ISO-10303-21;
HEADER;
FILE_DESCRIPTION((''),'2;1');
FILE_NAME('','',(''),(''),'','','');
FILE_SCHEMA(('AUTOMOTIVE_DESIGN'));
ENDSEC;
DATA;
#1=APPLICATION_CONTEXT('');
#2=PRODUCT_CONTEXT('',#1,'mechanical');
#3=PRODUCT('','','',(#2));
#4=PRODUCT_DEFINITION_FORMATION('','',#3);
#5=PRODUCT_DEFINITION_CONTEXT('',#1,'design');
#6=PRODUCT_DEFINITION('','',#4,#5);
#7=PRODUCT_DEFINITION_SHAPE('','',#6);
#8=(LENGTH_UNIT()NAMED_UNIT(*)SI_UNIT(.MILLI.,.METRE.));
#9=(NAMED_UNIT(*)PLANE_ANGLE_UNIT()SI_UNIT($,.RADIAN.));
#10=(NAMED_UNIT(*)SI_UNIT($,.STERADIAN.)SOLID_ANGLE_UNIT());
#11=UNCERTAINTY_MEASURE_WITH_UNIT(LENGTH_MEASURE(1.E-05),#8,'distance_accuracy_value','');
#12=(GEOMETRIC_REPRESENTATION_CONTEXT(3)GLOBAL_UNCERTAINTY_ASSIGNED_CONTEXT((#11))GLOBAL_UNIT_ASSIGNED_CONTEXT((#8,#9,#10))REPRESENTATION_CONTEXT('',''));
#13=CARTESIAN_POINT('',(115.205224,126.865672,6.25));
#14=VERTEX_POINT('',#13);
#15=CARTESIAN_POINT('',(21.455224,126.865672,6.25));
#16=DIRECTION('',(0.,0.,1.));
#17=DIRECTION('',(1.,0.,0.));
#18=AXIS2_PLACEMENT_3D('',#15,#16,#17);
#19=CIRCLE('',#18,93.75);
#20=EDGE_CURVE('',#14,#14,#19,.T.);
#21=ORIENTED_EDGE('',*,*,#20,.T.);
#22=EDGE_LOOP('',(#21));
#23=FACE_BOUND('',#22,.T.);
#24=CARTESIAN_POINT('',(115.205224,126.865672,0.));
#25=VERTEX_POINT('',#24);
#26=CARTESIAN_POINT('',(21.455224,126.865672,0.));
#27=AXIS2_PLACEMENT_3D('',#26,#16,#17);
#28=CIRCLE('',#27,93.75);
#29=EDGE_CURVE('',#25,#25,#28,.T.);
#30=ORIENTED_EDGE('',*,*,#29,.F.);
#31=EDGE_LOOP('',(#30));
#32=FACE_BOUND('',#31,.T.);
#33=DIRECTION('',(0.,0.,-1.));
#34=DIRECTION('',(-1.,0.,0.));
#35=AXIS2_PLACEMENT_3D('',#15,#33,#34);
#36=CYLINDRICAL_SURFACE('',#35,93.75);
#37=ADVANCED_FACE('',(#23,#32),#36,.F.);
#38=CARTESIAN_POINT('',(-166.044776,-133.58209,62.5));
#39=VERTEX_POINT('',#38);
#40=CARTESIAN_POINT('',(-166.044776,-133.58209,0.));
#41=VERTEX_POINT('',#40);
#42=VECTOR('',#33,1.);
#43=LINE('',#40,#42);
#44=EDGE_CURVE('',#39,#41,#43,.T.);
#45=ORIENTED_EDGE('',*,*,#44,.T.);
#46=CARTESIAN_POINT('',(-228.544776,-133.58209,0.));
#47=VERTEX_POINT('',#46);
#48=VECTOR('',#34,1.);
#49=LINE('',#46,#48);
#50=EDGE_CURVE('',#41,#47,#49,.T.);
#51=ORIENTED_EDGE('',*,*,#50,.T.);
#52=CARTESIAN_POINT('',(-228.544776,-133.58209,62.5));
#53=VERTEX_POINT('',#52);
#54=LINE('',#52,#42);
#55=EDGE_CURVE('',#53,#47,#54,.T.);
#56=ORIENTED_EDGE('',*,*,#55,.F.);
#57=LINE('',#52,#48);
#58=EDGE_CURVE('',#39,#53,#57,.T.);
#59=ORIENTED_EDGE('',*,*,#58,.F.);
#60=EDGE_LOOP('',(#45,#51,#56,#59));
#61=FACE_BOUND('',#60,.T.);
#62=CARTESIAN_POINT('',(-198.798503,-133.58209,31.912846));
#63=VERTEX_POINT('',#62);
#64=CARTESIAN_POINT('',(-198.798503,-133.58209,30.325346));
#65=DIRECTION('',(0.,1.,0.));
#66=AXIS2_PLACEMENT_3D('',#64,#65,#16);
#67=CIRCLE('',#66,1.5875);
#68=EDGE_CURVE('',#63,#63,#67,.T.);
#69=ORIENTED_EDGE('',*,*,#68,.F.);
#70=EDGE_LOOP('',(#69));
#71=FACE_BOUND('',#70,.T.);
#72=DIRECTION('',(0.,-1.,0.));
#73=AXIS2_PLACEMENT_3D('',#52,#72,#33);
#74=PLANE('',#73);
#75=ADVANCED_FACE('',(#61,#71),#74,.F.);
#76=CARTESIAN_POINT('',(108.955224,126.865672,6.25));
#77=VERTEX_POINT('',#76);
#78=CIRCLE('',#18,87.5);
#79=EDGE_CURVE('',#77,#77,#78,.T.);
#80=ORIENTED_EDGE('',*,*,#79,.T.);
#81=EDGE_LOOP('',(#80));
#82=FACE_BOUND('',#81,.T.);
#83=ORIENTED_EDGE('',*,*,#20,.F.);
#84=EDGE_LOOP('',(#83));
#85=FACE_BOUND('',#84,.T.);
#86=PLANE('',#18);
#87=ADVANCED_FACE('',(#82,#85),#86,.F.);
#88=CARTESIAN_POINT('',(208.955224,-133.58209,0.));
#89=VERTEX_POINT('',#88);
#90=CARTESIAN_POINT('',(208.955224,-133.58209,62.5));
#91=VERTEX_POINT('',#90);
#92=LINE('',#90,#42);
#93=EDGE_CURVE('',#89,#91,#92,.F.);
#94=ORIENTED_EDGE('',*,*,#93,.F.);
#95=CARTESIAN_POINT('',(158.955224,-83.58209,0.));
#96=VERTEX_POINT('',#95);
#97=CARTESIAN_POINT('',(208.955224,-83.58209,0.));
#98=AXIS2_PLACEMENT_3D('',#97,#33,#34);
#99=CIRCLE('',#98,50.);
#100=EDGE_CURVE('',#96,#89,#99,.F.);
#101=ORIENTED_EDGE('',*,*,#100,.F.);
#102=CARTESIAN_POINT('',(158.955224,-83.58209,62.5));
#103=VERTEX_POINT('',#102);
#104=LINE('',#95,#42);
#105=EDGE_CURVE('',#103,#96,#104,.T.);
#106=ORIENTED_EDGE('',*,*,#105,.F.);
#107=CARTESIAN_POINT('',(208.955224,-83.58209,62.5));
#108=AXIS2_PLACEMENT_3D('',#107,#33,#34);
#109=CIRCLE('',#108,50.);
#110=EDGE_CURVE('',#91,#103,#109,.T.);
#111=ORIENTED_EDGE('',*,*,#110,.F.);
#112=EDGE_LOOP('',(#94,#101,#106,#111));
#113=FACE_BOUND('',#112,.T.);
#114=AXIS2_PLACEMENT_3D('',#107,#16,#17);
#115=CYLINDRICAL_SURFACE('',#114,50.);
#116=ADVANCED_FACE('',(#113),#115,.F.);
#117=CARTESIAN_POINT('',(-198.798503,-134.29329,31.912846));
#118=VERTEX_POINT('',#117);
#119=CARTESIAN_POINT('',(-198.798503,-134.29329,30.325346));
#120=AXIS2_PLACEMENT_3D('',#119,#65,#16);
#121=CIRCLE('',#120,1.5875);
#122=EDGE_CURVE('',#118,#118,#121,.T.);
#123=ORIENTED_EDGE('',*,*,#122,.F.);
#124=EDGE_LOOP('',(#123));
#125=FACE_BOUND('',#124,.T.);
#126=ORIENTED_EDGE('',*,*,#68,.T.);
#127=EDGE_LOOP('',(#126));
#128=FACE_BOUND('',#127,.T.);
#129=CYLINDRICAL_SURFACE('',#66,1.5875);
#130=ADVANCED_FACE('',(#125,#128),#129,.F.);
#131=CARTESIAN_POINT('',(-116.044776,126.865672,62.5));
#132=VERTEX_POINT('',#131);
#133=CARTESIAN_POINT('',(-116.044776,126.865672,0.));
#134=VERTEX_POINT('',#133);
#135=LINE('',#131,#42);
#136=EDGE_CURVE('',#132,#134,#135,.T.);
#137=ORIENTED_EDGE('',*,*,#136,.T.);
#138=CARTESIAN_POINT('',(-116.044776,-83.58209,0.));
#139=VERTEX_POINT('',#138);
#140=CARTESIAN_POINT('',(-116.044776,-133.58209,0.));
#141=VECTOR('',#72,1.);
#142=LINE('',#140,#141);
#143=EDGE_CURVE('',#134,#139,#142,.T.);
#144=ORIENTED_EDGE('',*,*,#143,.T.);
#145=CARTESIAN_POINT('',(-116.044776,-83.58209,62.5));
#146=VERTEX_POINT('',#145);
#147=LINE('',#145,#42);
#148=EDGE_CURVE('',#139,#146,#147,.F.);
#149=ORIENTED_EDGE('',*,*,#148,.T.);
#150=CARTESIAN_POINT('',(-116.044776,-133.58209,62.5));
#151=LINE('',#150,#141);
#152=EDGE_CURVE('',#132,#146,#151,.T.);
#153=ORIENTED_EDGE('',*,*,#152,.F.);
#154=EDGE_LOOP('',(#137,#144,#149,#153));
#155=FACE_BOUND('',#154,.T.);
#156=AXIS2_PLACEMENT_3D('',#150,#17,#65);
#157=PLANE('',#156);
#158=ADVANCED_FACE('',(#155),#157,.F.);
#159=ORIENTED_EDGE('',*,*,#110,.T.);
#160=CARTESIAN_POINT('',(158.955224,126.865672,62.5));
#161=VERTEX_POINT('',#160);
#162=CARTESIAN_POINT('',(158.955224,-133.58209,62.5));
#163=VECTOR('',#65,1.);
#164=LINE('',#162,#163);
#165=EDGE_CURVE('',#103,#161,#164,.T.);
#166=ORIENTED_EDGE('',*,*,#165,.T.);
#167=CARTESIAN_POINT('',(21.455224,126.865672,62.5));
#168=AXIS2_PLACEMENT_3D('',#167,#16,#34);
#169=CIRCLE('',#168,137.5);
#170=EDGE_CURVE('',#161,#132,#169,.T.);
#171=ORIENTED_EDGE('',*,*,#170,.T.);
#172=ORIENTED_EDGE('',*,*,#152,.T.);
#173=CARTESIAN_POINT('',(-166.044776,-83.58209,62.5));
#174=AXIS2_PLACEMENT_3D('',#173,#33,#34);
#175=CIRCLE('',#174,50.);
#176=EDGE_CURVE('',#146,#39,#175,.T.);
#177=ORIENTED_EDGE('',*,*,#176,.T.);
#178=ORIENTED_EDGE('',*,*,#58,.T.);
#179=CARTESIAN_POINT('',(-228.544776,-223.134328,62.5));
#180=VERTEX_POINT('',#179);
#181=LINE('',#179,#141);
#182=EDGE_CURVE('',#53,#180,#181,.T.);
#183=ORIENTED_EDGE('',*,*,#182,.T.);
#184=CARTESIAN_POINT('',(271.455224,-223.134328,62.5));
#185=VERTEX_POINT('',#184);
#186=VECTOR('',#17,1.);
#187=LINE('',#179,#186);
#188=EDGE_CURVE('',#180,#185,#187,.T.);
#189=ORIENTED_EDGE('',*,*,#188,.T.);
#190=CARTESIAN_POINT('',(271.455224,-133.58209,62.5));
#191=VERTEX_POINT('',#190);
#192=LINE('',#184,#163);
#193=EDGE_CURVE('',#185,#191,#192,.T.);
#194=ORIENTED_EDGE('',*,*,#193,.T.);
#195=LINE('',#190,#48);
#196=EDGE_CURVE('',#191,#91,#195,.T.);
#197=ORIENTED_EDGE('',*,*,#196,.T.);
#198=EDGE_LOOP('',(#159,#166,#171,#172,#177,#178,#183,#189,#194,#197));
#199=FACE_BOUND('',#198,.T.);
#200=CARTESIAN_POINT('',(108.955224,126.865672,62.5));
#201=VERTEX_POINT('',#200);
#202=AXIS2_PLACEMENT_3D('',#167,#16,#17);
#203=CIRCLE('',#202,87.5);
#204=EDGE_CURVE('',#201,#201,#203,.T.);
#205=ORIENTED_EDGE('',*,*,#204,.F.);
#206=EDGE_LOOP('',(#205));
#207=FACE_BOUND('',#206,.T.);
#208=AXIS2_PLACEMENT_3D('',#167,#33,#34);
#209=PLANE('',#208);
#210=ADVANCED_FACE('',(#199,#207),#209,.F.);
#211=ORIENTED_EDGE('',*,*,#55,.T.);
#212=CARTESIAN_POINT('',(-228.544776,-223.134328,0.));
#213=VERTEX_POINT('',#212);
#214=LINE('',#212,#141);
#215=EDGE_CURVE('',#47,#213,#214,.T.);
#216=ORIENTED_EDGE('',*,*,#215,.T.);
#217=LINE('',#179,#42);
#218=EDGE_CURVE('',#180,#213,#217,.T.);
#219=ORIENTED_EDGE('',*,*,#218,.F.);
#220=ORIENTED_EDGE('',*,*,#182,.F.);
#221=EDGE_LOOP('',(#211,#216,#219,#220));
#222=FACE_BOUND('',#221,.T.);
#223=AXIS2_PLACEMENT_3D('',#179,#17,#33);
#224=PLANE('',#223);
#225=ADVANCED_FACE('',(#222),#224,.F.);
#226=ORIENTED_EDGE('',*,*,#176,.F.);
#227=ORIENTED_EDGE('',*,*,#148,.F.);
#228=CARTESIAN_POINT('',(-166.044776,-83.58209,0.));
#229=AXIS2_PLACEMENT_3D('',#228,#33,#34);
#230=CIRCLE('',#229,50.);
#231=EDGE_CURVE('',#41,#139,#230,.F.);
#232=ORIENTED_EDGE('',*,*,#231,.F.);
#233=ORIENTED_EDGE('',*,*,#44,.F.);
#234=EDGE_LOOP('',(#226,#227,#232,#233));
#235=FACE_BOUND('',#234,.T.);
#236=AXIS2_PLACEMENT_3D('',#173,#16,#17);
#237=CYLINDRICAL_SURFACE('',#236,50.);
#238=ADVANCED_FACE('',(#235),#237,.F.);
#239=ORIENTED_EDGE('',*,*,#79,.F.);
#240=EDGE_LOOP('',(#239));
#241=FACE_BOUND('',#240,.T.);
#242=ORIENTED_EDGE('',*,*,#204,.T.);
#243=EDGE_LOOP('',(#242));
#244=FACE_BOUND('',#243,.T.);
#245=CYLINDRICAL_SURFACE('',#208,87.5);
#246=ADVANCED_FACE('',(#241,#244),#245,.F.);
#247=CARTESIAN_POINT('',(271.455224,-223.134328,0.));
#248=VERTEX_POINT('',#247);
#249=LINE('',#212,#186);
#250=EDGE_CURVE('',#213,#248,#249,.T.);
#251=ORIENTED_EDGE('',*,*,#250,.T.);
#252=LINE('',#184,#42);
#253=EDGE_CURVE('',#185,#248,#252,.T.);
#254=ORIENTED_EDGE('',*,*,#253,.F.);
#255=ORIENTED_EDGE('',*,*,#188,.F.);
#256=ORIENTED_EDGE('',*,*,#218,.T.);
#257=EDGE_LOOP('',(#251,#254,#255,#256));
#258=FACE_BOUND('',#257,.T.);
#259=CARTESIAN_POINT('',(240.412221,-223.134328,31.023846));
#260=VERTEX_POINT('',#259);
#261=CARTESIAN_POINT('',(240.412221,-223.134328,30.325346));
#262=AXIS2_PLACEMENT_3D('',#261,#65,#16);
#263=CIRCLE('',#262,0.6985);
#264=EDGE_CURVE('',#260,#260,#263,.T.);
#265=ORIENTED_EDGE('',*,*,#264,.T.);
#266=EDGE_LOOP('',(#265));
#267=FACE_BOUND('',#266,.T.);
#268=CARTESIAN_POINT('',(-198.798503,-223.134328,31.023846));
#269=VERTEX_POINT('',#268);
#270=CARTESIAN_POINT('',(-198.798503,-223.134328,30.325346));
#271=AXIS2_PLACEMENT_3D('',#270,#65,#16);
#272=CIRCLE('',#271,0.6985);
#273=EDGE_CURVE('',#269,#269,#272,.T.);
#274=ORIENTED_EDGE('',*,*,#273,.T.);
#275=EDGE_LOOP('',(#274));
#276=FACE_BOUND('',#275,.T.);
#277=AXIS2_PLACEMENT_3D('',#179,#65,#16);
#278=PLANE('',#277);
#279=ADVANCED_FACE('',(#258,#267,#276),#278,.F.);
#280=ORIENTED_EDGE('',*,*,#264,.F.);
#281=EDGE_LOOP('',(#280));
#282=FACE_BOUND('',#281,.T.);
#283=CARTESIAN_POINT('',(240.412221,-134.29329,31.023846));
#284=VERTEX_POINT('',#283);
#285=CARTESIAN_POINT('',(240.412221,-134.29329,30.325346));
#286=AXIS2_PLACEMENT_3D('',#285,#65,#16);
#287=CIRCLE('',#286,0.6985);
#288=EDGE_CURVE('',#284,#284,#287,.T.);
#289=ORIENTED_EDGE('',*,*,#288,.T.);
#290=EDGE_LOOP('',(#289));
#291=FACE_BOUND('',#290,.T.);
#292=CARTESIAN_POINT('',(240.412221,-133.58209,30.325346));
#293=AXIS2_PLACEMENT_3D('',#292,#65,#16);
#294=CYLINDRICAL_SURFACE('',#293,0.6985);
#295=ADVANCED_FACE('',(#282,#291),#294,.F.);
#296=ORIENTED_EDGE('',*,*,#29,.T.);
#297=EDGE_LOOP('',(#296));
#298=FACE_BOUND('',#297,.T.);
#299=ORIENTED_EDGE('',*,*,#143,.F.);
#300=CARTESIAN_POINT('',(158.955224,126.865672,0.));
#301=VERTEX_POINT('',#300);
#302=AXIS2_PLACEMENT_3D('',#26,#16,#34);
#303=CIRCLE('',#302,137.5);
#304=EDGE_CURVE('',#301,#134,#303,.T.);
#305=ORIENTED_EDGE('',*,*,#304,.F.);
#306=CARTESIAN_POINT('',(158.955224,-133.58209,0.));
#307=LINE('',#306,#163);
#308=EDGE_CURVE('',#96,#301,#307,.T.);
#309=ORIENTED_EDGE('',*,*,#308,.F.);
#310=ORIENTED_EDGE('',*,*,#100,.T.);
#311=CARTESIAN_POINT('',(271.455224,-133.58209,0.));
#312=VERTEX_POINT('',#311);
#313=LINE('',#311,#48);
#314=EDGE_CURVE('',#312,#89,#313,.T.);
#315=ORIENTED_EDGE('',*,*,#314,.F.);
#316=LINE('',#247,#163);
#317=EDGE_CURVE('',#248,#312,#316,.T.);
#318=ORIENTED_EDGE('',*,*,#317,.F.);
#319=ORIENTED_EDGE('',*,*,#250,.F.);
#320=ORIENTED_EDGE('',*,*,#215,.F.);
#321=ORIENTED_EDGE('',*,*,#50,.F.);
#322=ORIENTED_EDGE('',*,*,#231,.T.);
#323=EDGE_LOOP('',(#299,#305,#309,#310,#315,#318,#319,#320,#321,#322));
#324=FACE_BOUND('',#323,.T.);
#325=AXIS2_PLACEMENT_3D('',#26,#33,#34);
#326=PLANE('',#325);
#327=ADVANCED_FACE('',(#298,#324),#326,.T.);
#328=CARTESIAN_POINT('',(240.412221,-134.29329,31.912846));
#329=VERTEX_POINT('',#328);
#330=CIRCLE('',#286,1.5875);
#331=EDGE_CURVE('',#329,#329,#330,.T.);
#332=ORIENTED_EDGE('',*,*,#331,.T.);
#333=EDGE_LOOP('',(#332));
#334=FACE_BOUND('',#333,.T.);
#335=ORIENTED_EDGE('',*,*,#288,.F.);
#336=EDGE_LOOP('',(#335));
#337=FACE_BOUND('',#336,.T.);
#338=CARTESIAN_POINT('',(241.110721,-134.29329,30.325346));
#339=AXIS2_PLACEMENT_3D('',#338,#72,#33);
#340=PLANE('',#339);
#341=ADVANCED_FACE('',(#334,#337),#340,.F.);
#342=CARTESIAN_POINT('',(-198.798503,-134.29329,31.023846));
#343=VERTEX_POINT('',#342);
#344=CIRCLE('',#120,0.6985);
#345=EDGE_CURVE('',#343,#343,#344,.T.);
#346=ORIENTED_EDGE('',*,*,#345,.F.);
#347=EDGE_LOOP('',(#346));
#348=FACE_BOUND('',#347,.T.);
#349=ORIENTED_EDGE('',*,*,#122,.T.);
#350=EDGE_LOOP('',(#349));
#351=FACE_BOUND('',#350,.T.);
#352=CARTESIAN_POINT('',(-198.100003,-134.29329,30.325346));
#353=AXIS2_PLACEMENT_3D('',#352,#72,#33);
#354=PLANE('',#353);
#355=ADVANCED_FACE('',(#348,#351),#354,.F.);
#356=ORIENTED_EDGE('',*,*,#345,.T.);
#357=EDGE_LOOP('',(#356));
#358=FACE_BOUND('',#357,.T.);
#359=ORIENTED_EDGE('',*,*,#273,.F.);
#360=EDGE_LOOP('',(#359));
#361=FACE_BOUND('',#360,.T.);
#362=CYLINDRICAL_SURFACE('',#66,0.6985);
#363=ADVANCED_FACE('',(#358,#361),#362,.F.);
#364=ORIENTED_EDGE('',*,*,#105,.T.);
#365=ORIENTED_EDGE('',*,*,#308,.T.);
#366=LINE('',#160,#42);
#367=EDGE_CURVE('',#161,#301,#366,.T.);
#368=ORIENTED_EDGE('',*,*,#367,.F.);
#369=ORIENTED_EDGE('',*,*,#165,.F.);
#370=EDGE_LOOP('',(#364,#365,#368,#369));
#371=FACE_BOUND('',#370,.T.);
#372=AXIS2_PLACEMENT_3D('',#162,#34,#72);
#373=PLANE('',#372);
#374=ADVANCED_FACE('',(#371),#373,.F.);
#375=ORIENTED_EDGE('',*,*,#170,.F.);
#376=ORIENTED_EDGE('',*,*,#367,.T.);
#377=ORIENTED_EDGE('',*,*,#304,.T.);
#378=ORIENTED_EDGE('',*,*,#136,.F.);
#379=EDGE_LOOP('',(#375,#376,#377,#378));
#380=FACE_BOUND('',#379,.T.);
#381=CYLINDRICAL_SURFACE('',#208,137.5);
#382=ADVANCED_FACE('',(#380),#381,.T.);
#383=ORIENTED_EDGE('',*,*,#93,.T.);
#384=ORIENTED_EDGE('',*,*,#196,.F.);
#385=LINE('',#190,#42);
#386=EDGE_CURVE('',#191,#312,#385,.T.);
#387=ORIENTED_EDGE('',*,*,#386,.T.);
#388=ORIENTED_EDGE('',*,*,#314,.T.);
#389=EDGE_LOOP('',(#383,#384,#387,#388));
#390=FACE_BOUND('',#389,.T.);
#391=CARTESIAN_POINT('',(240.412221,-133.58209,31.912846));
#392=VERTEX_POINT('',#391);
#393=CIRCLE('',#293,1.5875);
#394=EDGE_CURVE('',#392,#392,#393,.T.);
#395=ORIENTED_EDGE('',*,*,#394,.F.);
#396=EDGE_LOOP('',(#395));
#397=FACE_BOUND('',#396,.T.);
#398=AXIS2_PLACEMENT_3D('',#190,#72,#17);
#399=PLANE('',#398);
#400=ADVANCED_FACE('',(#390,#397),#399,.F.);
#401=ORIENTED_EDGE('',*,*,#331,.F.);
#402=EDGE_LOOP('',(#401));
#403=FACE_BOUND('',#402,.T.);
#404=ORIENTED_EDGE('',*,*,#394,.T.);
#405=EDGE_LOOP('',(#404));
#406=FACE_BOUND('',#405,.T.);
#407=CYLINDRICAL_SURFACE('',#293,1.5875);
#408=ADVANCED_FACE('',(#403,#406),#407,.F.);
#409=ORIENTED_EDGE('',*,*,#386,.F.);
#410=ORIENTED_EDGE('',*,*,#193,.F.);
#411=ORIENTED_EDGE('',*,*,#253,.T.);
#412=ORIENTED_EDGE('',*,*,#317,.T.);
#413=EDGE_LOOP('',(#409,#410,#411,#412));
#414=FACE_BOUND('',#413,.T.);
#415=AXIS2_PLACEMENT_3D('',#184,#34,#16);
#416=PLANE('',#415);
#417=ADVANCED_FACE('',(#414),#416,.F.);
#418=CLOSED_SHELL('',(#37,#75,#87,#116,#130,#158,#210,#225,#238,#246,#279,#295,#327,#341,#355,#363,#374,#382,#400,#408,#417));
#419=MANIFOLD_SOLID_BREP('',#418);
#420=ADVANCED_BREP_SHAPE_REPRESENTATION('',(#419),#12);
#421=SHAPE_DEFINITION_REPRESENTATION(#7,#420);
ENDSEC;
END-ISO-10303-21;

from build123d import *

# Parameters (mm, degrees)
SKETCH1_R                                           = 87.5
BOSS_EXTRUDE1_DEPTH                                 = 62.5
FILLET1_R                                           = 50
SKETCH2_R                                           = 93.75
CUT_EXTRUDE3_DEPTH                                  = 6.25
CBORE_FOR_00_BINDING_HEAD_MACHINE_SCREW_D           = 1.397
CBORE_FOR_00_BINDING_HEAD_MACHINE_SCREW_CBORE_D     = 3.175
CBORE_FOR_00_BINDING_HEAD_MACHINE_SCREW_CBORE_DEPTH = 0.7112


with BuildPart() as part:
    # Sketch1 → Boss-Extrude1 (new body)
    with BuildSketch(Plane.XY):
        with BuildLine():
            Line((-228.544776119, -223.134328358), (271.455223881, -223.134328358))
            Line((271.455223881, -223.134328358), (271.455223881, -133.582089552))
            Line((271.455223881, -133.582089552), (158.955223881, -133.582089552))
            Line((158.955223881, -133.582089552), (158.955223881, 126.865671642))
            ThreePointArc((158.955223881, 126.865671642), (21.455223881, 264.365671642), (-116.044776119, 126.865671642))
            Line((-116.044776119, 126.865671642), (-116.044776119, -133.582089552))
            Line((-116.044776119, -133.582089552), (-228.544776119, -133.582089552))
            Line((-228.544776119, -133.582089552), (-228.544776119, -223.134328358))
        make_face()
        with Locations((21.455223881, 126.865671642)):
            Circle(SKETCH1_R, mode=Mode.SUBTRACT)
    extrude(amount=BOSS_EXTRUDE1_DEPTH)

    # Fillet1
    fillet1_edges = [part.edges().sort_by_distance(p)[0] for p in [
        (-116.044776119, -133.582089552, 31.25),
        (158.955223881, -133.582089552, 31.25),
    ]]
    fillet(fillet1_edges, radius=FILLET1_R)

    # Sketch2 → Cut-Extrude3 (cut)
    with BuildSketch(Plane.XY):
        with Locations((21.455223881, 126.865671642)):
            Circle(SKETCH2_R)
    extrude(amount=CUT_EXTRUDE3_DEPTH, mode=Mode.SUBTRACT)

    # CBORE for #00 Binding Head Machine Screw1 (through all)
    with Locations(Plane(origin=(0, -133.582089552, 0), x_dir=(1, 0, 0), z_dir=(0, 1, 0))):
        with Locations((-198.798502654, -30.325345844), (240.412221484, -30.325345844)):
            CounterBoreHole(CBORE_FOR_00_BINDING_HEAD_MACHINE_SCREW_D / 2, CBORE_FOR_00_BINDING_HEAD_MACHINE_SCREW_CBORE_D / 2, CBORE_FOR_00_BINDING_HEAD_MACHINE_SCREW_CBORE_DEPTH)


solid = part.part
